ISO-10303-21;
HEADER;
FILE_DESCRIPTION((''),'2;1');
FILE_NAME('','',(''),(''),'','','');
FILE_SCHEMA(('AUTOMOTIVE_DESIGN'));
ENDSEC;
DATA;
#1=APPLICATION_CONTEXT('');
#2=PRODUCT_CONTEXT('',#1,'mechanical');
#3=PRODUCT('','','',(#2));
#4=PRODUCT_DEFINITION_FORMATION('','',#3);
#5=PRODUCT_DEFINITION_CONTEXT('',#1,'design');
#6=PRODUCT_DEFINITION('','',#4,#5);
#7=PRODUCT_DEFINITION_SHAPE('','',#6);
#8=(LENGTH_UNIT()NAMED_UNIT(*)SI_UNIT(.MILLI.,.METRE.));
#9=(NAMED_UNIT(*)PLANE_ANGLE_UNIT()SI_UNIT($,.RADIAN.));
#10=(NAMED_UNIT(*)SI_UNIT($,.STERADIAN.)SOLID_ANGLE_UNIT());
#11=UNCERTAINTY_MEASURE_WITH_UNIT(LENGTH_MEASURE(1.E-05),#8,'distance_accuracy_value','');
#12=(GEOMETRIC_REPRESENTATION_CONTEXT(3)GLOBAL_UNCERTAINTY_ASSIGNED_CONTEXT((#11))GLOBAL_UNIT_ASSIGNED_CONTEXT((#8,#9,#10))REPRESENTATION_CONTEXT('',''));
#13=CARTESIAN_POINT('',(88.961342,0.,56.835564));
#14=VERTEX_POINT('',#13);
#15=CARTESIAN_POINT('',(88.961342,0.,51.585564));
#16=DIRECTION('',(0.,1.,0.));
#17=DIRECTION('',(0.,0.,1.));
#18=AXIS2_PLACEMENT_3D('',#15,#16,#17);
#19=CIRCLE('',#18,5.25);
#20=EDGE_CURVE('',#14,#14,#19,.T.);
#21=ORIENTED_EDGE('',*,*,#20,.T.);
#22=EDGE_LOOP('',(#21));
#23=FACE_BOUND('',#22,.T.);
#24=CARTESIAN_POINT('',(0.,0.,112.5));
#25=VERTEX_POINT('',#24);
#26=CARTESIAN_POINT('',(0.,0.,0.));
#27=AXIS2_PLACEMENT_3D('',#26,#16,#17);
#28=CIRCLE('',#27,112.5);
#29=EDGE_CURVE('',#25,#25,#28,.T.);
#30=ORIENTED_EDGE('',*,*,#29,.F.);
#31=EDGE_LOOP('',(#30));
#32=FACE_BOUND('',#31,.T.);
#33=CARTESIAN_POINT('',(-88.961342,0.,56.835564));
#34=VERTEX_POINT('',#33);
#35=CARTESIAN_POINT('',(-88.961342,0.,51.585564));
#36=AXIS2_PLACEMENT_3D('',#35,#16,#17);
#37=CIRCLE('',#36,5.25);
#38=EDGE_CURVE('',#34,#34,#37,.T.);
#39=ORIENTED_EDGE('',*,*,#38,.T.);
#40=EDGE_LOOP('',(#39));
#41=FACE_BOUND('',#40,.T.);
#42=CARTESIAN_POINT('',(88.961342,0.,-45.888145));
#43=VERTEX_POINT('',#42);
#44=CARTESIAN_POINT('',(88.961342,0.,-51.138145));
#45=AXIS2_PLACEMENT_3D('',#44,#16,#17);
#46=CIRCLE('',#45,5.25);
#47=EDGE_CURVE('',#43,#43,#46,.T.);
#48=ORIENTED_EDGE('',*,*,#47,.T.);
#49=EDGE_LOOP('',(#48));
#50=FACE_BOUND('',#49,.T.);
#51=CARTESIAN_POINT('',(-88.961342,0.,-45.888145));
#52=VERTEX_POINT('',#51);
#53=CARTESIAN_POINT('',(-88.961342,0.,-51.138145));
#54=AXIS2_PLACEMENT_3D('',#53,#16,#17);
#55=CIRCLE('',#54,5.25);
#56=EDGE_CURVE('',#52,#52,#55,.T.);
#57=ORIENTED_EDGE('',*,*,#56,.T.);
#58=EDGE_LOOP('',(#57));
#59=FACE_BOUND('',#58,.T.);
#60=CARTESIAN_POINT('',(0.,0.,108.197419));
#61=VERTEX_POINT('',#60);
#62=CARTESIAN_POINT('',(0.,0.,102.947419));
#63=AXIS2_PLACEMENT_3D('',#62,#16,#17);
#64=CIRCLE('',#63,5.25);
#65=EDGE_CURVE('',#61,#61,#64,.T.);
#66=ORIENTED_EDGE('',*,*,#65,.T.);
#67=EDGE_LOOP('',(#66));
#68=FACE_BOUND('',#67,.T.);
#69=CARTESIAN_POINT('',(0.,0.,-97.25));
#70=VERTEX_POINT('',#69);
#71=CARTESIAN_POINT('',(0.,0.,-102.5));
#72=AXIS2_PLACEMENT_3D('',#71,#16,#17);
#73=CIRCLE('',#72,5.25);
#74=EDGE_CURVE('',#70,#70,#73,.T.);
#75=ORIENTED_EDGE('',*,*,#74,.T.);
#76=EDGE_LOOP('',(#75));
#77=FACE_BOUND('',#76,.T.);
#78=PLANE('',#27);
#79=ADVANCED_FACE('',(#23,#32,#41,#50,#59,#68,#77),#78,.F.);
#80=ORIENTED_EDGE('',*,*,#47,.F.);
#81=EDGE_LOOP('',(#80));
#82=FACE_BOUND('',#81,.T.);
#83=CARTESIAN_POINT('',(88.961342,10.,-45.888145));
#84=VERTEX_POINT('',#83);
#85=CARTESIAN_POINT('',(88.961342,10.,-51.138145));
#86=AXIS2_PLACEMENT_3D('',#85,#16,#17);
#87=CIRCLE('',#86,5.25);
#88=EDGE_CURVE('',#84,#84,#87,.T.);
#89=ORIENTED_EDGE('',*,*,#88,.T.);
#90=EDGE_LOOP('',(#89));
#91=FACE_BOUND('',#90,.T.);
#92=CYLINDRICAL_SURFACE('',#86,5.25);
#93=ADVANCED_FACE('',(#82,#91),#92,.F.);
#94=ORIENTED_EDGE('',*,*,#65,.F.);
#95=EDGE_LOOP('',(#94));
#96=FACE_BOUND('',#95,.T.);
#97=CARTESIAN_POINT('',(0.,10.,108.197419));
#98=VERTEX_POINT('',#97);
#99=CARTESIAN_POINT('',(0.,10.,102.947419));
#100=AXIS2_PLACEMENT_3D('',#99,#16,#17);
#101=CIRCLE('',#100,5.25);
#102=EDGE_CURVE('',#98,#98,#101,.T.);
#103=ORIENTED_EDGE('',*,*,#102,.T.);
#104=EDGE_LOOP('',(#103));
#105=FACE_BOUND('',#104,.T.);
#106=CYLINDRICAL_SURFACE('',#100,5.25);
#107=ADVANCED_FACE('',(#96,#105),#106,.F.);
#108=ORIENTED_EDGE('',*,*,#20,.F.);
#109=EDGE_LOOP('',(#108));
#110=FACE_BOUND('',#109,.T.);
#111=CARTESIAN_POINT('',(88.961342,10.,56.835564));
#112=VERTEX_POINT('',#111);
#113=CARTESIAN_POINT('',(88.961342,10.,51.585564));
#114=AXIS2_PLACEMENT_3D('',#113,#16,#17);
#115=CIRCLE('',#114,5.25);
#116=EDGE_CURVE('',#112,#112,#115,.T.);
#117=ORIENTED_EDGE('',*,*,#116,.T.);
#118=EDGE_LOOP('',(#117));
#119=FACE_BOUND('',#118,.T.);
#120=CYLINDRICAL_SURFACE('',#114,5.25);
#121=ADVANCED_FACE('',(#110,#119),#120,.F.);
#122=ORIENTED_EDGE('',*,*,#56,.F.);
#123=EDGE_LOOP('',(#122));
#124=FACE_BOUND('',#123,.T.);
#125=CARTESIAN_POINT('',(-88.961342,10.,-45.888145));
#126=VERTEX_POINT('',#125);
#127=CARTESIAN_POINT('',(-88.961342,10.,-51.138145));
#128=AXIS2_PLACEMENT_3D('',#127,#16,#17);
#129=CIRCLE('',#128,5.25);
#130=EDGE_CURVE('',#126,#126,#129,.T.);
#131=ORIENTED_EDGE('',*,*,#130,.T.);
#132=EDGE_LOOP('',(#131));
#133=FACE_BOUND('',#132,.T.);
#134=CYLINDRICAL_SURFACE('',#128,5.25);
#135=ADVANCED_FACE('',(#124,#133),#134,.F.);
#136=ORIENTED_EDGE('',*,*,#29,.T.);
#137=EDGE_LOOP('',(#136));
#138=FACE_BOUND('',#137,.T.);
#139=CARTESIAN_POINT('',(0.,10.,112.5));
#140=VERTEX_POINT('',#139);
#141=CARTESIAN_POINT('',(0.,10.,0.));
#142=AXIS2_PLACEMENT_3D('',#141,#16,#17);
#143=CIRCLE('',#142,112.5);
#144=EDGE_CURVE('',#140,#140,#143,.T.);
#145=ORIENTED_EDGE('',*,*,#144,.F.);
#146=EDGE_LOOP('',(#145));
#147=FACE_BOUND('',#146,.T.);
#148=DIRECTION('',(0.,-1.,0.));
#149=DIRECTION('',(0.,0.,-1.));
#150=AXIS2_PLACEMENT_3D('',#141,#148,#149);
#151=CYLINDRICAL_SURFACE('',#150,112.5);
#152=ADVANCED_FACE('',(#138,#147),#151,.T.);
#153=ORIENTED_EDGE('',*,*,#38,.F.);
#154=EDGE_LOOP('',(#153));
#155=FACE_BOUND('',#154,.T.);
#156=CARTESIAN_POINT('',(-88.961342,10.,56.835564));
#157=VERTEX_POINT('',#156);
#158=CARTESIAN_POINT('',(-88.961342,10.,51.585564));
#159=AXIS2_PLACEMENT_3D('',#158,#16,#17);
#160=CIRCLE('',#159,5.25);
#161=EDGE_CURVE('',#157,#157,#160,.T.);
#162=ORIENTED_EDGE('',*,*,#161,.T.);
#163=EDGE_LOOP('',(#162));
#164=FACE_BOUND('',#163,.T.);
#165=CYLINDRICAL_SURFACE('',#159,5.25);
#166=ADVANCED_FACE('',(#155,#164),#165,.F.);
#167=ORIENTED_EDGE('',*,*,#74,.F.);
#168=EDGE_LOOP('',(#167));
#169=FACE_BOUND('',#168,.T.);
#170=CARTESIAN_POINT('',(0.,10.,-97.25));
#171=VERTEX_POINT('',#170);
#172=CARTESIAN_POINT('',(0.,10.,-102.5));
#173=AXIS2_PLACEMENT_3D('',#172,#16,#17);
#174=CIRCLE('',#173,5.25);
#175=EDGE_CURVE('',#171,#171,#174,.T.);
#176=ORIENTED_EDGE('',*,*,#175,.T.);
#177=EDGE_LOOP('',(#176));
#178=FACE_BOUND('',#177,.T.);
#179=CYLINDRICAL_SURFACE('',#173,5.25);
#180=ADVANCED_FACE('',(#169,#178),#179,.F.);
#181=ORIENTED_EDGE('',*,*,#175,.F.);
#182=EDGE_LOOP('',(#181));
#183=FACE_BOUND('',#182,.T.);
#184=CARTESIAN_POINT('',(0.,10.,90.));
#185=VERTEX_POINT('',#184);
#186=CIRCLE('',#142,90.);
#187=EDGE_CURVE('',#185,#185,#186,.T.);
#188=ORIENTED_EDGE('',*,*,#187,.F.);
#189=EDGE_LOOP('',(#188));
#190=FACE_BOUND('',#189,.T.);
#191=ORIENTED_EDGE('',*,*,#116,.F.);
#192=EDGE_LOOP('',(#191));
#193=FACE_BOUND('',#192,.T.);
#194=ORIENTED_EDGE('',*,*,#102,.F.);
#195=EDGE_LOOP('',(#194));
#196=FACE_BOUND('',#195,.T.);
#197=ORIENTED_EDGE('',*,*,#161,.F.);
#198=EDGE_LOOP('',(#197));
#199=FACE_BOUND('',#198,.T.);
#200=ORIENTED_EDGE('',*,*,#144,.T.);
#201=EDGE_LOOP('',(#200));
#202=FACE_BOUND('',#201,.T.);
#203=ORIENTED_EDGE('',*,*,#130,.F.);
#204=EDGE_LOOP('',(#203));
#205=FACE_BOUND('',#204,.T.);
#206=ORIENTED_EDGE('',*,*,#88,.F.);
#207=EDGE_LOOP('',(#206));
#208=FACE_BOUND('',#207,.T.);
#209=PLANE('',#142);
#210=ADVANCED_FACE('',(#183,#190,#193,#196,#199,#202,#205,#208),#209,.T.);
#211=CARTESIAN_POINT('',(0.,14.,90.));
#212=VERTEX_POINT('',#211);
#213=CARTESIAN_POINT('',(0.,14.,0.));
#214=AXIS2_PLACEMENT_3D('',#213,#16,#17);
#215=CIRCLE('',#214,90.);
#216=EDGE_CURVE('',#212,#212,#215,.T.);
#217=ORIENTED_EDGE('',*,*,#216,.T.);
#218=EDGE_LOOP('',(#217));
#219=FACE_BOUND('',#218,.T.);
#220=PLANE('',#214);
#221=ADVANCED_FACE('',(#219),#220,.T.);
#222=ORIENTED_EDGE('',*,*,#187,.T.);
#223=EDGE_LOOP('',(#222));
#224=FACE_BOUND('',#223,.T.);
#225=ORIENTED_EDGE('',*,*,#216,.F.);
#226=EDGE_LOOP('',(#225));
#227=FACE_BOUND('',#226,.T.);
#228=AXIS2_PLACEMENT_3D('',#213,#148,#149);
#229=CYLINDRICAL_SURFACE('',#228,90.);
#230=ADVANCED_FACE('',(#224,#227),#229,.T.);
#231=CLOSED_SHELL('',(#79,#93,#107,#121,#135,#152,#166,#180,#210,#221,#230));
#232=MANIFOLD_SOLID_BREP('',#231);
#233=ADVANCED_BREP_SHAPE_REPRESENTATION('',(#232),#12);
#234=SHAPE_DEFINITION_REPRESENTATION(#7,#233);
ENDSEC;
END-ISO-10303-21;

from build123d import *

# Parameters (mm, degrees)
CROQUIS1_R              = 112.5
SALIENTE_EXTRUIR1_DEPTH = 10
MATRIZC1_COUNT          = 6
CROQUIS6_R              = 90
SALIENTE_EXTRUIR2_DEPTH = 4


with BuildPart() as part:
    # Croquis1 → Saliente-Extruir1 (new body)
    with BuildSketch(Plane(origin=(0, 0, 0), x_dir=(1, 0, 0), z_dir=(0, 1, 0))):
        with Locations(Location((0, 0, 0), (0, 0, 270))):
            Circle(CROQUIS1_R)
    extrude(amount=SALIENTE_EXTRUIR1_DEPTH)

    # Croquis5 → Taladro roscado M12x1.51 (revolve, cut)
    with BuildSketch(Plane(origin=(0, 10, -102.5), x_dir=(0, 0, 1), z_dir=(1, 0, 0))):
        Polygon((0, 0), (0, 34.65451825), (5.25, 31.5), (5.25, 0), align=None)
    taladro_roscado_m12x1_51 = revolve(axis=Axis((0, 16.35, -102.5), (0, -1, 0)), mode=Mode.SUBTRACT)

    # MatrizC1: Taladro roscado M12x1.51 ×6 about axis
    matrizc1_axis = Axis((0, 0, 0.223709412), (0, 1, 0))
    for i in range(1, MATRIZC1_COUNT):
        add(taladro_roscado_m12x1_51.rotate(matrizc1_axis, i * 360 / MATRIZC1_COUNT), mode=Mode.SUBTRACT)

    # Croquis6 → Saliente-Extruir2 (add)
    with BuildSketch(Plane(origin=(0, 10, 0), x_dir=(1, 0, 0), z_dir=(0, 1, 0))):
        with Locations(Location((0, 0, 0), (0, 0, 270))):
            Circle(CROQUIS6_R)
    extrude(amount=SALIENTE_EXTRUIR2_DEPTH)


solid = part.part
